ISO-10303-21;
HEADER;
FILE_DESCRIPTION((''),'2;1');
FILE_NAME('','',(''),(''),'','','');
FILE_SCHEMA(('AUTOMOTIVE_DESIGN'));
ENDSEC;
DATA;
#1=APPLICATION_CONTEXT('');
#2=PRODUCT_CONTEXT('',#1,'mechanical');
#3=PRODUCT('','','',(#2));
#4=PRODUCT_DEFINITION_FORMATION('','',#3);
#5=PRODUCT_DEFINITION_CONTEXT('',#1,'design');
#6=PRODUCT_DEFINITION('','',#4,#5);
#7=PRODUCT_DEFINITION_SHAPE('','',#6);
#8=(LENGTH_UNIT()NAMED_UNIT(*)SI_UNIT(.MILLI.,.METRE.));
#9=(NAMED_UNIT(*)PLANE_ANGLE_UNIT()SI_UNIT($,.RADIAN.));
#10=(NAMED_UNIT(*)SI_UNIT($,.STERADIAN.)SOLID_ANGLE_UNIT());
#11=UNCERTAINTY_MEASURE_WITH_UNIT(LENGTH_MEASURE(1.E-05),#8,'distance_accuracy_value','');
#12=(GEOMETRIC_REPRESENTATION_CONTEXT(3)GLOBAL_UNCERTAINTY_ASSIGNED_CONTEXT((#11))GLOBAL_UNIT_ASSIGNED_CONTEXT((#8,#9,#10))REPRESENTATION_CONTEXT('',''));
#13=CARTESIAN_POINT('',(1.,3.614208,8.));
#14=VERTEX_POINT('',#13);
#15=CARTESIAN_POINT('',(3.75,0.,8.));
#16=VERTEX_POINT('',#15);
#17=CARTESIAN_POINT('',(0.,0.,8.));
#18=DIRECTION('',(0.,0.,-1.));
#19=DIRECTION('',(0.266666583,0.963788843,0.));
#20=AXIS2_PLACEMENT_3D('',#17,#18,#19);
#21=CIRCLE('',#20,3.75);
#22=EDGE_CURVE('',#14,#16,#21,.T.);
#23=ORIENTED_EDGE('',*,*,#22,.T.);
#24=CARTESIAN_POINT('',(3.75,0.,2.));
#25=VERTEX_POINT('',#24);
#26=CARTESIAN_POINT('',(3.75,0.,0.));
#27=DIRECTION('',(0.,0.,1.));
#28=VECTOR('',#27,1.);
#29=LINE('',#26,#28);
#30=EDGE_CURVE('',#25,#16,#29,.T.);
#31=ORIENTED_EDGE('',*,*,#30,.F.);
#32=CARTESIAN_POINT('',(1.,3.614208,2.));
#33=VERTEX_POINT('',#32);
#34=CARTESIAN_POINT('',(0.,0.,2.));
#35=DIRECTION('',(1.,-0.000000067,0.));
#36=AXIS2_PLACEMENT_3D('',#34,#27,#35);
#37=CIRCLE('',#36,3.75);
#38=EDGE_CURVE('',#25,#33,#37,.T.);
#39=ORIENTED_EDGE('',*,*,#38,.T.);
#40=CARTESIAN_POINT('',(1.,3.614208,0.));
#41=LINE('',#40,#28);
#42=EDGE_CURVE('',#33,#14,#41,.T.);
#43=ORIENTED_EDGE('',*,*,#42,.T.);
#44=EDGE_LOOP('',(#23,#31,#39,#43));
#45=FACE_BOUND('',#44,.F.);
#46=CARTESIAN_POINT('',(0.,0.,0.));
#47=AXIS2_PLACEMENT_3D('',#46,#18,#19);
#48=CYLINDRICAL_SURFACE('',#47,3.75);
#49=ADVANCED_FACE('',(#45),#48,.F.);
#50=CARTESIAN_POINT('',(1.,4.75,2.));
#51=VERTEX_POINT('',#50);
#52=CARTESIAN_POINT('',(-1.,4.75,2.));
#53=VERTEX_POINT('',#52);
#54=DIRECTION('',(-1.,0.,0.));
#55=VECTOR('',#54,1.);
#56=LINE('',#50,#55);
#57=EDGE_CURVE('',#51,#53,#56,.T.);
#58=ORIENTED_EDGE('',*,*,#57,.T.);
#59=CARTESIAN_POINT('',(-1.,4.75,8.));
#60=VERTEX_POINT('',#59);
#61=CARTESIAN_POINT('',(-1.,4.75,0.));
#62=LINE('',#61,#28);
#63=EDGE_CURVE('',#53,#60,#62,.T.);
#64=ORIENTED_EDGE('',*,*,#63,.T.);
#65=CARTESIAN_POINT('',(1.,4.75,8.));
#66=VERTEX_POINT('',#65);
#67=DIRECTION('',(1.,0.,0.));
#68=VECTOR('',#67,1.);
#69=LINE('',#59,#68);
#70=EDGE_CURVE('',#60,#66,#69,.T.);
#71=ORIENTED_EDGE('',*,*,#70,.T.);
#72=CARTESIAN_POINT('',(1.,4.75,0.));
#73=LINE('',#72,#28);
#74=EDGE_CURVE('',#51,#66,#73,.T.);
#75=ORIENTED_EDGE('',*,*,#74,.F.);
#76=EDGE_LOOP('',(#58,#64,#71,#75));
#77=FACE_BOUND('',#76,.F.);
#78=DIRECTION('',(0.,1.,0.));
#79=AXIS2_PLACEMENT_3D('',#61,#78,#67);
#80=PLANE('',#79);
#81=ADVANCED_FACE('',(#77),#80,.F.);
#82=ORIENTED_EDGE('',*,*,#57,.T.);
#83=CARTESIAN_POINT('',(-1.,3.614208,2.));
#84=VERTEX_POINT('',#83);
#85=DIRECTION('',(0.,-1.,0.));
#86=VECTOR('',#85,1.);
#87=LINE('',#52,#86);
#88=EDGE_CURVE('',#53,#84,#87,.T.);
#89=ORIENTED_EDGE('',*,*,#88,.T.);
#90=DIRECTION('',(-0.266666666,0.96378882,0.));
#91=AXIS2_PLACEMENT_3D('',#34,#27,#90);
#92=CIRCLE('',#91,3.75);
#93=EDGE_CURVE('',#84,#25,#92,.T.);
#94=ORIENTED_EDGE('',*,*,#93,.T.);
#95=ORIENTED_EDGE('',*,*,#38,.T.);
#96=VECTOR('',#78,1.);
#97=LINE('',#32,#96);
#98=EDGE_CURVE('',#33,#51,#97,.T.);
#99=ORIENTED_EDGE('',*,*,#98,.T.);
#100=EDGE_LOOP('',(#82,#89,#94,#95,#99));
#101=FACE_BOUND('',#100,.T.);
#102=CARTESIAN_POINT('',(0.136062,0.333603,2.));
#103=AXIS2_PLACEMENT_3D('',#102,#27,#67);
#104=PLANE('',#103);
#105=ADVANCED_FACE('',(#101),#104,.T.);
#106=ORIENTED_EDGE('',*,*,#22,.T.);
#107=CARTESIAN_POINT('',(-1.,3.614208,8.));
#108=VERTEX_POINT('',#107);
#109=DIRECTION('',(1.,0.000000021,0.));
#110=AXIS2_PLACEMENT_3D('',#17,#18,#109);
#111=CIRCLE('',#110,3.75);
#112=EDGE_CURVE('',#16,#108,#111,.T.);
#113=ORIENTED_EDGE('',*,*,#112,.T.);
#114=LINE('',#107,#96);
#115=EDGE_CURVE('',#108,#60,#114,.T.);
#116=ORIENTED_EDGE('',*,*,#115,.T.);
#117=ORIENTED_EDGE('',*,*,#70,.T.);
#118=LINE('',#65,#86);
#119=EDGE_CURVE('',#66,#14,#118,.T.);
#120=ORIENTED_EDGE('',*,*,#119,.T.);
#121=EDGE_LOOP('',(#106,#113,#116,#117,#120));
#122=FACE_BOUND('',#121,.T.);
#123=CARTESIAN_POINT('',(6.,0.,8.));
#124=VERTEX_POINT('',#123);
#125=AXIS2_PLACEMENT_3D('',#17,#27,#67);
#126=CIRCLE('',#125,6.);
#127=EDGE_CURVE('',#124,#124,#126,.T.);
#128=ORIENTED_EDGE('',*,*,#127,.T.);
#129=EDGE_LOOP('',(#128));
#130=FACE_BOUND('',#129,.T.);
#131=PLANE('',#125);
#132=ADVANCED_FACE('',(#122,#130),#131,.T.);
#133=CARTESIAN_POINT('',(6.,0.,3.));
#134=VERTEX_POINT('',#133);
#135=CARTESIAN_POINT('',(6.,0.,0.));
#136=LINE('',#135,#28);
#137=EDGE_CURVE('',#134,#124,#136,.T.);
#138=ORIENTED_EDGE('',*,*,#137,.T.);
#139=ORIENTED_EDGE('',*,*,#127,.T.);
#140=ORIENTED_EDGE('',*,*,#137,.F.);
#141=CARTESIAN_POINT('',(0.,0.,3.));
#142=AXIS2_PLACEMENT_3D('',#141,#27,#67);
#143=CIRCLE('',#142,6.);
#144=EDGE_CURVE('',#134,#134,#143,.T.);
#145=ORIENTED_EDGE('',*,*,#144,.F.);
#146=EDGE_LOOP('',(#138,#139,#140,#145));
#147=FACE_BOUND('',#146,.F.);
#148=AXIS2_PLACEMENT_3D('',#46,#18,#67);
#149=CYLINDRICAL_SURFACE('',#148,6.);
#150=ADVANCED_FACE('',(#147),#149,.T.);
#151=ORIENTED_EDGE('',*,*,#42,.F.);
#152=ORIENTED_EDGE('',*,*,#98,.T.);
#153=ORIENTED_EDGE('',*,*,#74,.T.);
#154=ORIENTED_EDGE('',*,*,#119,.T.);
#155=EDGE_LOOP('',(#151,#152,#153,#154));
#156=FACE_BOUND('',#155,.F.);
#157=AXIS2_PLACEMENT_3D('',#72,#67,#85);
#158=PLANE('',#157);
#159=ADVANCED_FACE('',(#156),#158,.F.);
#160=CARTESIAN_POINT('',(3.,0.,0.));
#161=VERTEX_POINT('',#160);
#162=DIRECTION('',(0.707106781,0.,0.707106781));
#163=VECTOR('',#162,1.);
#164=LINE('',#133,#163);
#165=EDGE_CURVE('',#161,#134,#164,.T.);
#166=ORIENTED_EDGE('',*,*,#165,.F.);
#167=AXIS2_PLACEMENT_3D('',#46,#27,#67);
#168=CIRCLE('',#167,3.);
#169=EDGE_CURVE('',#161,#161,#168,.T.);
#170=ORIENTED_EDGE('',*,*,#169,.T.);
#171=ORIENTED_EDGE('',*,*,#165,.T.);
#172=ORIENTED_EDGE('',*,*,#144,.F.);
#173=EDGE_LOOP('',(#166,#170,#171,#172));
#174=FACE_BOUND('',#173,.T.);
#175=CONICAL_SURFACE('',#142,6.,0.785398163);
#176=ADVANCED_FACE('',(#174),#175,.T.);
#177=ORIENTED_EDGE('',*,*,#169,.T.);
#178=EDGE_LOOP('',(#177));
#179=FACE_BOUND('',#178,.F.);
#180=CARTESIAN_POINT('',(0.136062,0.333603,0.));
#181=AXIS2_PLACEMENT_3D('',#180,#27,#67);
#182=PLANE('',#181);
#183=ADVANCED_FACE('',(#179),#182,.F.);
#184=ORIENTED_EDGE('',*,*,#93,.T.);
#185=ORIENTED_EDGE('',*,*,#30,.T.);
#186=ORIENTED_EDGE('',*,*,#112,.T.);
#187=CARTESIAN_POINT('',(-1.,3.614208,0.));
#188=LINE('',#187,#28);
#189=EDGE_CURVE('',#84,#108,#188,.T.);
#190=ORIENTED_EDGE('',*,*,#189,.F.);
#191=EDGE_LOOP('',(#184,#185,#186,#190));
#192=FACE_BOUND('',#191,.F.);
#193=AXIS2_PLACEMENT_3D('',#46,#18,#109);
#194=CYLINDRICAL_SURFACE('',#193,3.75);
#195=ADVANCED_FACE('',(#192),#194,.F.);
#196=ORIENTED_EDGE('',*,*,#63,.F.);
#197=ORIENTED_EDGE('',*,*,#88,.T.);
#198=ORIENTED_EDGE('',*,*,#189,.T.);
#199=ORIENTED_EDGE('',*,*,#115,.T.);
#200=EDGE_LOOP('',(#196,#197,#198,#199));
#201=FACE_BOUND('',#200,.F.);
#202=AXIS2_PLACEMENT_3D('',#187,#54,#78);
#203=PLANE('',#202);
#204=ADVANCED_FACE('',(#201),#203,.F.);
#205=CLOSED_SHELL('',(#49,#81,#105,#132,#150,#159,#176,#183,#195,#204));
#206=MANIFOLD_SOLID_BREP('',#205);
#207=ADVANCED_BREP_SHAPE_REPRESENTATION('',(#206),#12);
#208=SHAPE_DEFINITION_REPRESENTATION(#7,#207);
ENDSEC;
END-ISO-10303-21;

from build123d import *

# Parameters (mm, degrees)
F0_R     = 6
F1_DEPTH = 8
F2_DEPTH = 2
F3_SIZE  = 3


with BuildPart() as f1:
    # F0 (on Top) → F1 (new body)
    with BuildSketch(Plane.XY):
        Circle(F0_R)
        with BuildLine():
            ThreePointArc((1, 3.614208), (2.984334, 2.270738), (3.75, 0))
            ThreePointArc((3.75, 0), (-2.270738, -2.984334), (-1, 3.614208))
            Line((-1, 3.614208), (-1, 4.75))
            Line((-1, 4.75), (1, 4.75))
            Line((1, 4.75), (1, 3.614208))
        make_face(mode=Mode.SUBTRACT)
    extrude(amount=F1_DEPTH)

    # F0 (on Top) → F2 (join)
    with BuildSketch(Plane.XY):
        with BuildLine():
            ThreePointArc((-1, 3.614208), (-2.270738, -2.984334), (3.75, 0))
            ThreePointArc((3.75, 0), (2.984334, 2.270738), (1, 3.614208))
            Line((1, 3.614208), (1, 2.75))
            Line((1, 2.75), (-1, 2.75))
            Line((-1, 2.75), (-1, 3.614208))
        make_face()
        with BuildLine():
            Line((1, 2.75), (1, 3.614208))
            ThreePointArc((1, 3.614208), (0, 3.75), (-1, 3.614208))
            Line((-1, 3.614208), (-1, 2.75))
            Line((-1, 2.75), (1, 2.75))
        make_face()
        with BuildLine():
            ThreePointArc((-1, 3.614208), (0, 3.75), (1, 3.614208))
            Line((1, 3.614208), (1, 4.75))
            Line((1, 4.75), (-1, 4.75))
            Line((-1, 4.75), (-1, 3.614208))
        make_face()
    extrude(amount=F2_DEPTH)

    # F3
    f3_edges = [f1.edges().sort_by_distance(p)[0] for p in [
        (-6, 0, 0),
    ]]
    chamfer(f3_edges, length=F3_SIZE)


solid = f1.part
